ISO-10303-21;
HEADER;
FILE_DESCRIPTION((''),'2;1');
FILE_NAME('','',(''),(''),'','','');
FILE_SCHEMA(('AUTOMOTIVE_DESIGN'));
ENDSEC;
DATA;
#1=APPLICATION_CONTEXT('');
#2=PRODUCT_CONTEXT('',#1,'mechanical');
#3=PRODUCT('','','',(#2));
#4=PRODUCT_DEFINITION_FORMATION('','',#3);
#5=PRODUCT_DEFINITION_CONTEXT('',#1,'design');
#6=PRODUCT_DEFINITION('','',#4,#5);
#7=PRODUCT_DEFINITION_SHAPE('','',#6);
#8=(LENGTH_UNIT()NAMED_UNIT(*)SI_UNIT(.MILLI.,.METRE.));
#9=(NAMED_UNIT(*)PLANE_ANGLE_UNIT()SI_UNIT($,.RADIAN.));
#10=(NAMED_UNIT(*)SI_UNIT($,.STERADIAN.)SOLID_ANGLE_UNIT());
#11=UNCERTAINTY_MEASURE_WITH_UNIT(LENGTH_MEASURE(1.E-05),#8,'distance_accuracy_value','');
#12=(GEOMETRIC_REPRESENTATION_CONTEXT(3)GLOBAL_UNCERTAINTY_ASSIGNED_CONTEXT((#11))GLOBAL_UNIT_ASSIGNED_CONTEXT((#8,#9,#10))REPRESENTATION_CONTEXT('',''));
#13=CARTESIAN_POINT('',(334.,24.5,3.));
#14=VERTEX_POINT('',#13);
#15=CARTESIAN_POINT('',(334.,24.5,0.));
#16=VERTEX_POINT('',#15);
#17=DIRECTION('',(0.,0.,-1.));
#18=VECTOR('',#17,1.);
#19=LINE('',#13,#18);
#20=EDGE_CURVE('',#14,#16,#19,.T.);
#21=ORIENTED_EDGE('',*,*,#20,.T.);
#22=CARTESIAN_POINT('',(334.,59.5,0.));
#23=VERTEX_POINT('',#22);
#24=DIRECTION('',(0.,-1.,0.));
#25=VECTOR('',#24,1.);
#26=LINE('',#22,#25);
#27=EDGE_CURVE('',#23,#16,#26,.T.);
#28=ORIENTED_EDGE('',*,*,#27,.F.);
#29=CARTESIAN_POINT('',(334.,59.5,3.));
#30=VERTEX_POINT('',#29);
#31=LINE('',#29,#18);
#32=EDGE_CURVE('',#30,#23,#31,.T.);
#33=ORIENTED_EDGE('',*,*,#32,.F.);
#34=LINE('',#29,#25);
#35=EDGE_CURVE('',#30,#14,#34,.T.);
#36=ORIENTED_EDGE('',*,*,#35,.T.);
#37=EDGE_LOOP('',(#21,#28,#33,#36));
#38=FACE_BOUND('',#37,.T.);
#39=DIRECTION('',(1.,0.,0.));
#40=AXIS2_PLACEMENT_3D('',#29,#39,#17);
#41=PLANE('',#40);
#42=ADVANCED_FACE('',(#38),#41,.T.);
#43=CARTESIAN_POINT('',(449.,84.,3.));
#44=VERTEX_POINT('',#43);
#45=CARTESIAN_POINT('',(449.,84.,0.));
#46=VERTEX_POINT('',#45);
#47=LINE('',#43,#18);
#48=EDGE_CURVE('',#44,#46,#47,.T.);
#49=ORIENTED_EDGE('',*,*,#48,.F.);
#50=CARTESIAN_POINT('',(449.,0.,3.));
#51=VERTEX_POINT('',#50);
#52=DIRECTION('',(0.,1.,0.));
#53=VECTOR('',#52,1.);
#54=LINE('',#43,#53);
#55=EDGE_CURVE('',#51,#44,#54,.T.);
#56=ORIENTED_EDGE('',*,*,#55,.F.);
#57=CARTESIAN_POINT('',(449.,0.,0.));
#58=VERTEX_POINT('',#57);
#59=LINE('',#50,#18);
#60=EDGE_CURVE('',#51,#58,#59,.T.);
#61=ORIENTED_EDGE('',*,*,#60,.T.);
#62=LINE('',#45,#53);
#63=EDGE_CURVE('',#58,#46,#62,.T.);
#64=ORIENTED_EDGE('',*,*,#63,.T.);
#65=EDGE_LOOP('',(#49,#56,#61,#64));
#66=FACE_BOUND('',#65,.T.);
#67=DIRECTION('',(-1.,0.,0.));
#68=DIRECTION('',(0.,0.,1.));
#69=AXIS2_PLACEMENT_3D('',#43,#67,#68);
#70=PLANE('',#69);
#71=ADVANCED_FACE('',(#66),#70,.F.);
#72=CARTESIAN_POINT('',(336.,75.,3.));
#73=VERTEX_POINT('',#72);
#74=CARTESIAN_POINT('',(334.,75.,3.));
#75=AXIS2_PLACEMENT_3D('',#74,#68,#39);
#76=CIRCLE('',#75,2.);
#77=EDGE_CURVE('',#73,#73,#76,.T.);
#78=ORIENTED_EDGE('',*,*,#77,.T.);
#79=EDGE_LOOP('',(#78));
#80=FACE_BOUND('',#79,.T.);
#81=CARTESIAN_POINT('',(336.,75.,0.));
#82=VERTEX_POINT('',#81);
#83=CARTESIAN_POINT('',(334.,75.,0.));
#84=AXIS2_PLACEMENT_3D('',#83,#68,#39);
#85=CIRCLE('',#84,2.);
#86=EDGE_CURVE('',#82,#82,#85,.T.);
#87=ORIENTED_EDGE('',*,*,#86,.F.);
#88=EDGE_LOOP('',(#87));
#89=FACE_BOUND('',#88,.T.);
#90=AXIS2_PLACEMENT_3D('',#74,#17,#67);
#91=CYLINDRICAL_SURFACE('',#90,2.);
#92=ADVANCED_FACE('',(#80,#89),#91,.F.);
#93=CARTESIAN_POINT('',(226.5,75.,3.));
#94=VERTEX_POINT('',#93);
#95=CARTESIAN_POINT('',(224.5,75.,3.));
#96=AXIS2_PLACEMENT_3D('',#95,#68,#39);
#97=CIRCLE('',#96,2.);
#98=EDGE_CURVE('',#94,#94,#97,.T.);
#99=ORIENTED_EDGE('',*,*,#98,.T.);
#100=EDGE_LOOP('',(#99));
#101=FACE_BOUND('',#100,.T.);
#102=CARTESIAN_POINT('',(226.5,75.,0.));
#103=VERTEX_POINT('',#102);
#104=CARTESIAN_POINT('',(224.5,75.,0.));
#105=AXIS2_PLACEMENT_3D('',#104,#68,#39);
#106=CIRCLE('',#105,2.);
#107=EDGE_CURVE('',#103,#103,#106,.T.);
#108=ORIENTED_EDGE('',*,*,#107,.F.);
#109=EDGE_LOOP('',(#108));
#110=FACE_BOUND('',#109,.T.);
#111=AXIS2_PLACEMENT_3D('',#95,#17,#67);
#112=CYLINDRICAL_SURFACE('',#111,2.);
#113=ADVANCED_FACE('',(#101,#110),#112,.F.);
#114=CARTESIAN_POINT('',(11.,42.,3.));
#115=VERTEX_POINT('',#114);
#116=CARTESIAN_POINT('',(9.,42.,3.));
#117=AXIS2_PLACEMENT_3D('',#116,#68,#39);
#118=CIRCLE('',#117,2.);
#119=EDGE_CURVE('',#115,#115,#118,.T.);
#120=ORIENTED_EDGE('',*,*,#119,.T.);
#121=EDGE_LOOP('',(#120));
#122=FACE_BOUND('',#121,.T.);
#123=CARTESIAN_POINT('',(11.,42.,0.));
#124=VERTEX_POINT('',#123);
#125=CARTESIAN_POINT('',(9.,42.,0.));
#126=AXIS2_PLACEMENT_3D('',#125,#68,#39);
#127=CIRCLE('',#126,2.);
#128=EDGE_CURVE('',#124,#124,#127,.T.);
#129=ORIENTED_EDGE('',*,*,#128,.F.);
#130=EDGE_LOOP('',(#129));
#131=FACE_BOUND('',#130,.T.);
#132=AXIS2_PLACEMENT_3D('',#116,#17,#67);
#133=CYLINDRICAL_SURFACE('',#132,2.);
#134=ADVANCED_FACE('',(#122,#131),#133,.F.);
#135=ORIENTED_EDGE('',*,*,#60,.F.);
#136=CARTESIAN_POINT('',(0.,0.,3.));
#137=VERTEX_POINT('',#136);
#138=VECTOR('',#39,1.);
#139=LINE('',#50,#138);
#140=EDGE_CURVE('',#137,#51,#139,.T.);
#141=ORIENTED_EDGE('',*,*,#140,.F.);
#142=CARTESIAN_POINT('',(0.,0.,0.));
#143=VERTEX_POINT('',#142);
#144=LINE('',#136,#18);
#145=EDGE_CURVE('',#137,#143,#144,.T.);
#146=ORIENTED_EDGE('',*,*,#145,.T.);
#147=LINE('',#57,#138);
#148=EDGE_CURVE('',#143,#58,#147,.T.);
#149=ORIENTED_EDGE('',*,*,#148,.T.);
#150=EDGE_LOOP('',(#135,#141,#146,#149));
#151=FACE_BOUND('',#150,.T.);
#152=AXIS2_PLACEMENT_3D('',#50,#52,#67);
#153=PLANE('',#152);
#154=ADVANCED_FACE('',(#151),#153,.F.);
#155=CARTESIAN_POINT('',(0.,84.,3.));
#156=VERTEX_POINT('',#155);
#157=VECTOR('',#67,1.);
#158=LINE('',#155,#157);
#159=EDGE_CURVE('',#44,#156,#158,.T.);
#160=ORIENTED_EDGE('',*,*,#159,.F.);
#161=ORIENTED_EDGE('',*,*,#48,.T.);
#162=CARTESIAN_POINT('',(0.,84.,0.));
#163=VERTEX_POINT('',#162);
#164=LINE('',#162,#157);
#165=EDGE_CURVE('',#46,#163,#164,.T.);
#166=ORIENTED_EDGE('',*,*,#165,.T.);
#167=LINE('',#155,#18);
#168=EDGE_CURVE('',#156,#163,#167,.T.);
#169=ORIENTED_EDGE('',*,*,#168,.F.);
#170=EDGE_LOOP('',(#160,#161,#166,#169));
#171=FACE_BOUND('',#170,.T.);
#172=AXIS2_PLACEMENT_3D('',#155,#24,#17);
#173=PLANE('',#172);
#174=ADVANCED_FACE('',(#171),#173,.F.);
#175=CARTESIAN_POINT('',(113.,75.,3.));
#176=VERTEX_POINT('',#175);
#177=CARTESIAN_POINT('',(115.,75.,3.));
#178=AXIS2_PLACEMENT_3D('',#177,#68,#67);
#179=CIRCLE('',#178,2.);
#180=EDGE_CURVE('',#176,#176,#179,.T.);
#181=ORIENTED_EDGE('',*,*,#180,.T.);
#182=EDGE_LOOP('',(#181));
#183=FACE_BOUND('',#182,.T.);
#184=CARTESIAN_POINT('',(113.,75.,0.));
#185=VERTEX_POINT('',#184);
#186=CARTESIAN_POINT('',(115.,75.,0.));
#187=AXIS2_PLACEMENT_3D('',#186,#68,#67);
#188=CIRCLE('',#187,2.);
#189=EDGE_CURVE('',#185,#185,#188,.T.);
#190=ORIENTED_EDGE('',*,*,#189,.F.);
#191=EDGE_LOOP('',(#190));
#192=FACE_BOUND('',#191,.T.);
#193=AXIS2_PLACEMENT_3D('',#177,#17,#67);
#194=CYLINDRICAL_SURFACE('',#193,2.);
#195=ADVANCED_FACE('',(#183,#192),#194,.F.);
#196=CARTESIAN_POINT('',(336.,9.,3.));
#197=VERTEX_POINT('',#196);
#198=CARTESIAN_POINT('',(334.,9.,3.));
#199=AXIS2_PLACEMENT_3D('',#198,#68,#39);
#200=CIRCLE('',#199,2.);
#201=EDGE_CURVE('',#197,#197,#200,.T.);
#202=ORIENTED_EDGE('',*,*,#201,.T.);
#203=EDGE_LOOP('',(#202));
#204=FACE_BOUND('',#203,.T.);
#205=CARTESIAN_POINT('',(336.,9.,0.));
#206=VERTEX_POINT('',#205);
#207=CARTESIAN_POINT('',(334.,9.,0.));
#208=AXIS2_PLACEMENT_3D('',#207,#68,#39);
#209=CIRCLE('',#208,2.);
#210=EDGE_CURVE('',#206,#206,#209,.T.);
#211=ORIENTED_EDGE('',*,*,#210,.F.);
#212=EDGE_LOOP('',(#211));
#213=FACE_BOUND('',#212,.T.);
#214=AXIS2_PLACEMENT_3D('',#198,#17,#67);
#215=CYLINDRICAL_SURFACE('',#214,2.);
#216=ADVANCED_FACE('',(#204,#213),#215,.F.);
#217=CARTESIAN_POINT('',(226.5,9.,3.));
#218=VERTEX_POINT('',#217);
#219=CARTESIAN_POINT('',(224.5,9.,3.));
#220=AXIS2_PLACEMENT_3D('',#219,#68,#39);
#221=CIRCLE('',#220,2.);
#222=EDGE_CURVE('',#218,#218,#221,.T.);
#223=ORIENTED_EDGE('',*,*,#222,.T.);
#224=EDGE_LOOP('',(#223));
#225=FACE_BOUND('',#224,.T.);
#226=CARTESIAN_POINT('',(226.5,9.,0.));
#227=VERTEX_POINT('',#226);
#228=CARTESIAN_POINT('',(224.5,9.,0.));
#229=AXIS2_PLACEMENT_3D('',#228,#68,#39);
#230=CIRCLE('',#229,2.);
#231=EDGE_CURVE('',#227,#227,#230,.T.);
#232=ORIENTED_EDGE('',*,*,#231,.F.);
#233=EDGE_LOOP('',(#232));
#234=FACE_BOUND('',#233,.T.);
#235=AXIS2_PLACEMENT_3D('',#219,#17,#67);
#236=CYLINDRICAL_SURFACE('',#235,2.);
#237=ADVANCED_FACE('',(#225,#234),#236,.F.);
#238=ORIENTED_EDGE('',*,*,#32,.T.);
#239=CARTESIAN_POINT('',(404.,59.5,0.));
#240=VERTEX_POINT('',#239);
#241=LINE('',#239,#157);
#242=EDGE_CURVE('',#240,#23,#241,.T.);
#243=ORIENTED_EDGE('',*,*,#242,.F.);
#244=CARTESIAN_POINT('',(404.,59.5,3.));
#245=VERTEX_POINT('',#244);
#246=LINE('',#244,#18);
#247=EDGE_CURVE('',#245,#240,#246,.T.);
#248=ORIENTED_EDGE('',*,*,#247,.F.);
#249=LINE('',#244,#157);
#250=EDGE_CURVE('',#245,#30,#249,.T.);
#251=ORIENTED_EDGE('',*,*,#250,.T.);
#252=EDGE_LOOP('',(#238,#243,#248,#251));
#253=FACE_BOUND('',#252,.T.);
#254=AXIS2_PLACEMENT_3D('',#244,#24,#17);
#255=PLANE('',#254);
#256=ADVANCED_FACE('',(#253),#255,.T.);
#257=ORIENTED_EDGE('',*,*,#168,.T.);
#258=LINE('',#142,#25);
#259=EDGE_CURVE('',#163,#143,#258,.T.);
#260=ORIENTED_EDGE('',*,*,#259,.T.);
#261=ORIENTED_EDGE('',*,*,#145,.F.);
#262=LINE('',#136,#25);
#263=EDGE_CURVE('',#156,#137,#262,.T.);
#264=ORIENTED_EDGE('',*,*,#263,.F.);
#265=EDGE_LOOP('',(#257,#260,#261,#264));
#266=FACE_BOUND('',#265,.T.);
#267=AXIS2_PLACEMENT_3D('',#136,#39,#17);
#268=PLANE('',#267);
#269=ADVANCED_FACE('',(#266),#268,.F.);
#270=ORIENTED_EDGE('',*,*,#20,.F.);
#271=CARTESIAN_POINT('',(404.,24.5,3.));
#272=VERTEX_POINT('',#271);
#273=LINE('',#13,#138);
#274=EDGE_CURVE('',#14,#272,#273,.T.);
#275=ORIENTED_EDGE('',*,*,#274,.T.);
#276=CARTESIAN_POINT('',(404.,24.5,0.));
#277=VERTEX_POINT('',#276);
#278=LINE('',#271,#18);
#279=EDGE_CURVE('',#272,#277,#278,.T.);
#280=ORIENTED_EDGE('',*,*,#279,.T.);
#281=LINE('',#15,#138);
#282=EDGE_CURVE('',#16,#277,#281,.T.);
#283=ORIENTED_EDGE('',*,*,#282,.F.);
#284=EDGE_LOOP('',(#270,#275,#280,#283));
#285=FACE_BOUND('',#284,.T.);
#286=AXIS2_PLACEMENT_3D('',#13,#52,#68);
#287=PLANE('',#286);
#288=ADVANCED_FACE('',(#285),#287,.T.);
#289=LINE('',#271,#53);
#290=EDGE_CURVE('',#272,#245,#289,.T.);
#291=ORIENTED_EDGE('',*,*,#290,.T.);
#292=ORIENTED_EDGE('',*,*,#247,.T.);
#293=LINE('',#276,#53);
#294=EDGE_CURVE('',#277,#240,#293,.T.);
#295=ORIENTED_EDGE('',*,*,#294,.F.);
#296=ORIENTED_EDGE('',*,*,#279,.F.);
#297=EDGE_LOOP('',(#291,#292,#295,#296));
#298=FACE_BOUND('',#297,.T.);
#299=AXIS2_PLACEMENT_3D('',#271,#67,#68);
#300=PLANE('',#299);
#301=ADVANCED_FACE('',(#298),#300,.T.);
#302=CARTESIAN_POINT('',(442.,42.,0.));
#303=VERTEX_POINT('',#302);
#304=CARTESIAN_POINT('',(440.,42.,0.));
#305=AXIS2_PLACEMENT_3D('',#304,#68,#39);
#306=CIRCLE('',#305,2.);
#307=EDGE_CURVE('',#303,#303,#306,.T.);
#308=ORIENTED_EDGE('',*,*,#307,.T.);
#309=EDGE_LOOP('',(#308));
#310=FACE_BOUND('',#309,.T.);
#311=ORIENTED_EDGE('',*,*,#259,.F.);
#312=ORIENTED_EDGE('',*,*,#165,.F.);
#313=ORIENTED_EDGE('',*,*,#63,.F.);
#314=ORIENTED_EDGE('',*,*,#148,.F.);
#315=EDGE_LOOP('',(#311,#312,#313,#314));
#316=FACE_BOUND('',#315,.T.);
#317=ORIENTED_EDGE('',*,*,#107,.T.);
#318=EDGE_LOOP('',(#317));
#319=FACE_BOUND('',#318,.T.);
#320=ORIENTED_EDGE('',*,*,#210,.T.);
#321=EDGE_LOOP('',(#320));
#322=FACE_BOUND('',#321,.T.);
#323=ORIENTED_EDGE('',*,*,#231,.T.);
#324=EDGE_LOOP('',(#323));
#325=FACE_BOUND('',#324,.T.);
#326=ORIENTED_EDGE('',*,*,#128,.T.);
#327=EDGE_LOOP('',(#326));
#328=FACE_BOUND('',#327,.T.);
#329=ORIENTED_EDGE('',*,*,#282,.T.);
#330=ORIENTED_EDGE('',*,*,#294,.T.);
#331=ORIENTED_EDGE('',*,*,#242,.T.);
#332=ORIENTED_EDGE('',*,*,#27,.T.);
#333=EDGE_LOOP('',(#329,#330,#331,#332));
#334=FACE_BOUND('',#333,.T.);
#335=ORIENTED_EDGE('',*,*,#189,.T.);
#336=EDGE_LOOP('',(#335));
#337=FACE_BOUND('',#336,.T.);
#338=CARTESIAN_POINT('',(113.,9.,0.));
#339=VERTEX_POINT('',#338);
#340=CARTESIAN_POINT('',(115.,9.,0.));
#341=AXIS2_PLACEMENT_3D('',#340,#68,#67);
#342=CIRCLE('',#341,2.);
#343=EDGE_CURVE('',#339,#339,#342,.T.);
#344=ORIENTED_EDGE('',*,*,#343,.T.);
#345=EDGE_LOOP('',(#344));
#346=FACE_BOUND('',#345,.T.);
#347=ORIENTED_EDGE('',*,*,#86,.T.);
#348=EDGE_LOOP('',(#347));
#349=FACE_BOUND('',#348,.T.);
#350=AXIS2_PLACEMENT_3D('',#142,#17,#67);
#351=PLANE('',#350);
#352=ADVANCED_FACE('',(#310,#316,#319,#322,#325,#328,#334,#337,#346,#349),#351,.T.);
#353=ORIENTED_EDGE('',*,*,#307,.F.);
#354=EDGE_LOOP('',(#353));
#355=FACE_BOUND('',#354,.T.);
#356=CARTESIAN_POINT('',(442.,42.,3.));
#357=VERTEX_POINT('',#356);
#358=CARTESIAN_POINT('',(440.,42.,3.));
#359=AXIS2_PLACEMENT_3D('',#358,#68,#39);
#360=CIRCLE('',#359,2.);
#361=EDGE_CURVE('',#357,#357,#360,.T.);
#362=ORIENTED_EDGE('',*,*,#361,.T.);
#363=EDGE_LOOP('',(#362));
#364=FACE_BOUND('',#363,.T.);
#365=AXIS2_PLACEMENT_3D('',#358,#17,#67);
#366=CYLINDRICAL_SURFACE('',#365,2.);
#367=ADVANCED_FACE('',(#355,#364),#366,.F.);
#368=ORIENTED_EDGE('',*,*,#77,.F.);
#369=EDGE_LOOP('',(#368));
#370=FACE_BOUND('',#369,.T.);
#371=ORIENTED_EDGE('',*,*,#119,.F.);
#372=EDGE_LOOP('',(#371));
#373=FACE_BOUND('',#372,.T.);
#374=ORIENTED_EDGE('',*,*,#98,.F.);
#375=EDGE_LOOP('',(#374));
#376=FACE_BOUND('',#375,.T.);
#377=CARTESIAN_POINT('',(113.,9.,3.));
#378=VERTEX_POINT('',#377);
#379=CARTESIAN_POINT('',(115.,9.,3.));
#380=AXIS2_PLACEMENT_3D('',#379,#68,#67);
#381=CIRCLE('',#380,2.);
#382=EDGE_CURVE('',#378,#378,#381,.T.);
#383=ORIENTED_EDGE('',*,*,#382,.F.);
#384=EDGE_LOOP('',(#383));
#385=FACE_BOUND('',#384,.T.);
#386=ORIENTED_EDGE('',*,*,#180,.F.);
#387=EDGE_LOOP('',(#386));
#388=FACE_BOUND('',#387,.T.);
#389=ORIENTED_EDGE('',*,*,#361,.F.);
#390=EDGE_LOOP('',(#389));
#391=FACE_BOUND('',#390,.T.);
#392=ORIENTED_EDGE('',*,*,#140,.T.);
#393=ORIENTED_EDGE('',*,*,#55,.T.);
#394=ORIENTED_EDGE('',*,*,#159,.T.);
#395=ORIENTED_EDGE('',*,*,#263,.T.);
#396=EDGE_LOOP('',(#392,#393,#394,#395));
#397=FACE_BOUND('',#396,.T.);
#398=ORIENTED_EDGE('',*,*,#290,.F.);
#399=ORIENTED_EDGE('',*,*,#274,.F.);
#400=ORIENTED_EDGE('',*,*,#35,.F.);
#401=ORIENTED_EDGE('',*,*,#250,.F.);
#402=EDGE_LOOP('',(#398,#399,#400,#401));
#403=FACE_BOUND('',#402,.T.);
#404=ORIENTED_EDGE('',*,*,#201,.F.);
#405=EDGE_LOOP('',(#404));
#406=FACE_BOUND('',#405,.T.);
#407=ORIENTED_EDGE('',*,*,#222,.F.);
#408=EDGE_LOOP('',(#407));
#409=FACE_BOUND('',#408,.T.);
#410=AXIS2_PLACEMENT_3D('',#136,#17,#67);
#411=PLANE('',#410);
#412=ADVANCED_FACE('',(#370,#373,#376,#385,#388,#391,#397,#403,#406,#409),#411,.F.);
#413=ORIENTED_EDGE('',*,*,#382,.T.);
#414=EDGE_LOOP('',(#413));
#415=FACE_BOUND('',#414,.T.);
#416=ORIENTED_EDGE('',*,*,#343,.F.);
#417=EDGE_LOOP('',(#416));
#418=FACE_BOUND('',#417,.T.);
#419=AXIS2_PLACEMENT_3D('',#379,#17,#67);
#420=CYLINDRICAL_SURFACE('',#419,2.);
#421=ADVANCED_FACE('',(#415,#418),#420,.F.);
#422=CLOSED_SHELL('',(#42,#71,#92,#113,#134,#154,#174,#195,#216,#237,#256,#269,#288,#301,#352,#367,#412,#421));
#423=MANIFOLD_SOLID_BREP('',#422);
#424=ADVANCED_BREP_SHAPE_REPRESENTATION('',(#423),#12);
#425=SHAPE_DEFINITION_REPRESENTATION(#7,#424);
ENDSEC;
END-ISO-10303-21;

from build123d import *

# Parameters (mm, degrees)
SKETCH_F_W                   = 449
SKETCH_F_H                   = 84
SKETCH_F_R                   = 2
SKETCH_F_W_2                 = 70
SKETCH_F_H_2                 = 35
ESTRUSIONE_ESTRUSIONE1_DEPTH = 3


with BuildPart() as part:
    # Sketch f → Estrusione-Estrusione1 (new body)
    with BuildSketch(Plane.XY):
        with Locations((224.5, 42)):
            Rectangle(SKETCH_F_W, SKETCH_F_H)
        with Locations((9, 42)):
            Circle(SKETCH_F_R, mode=Mode.SUBTRACT)
        with Locations((224.5, 75)):
            Circle(SKETCH_F_R, mode=Mode.SUBTRACT)
        with Locations((224.5, 9)):
            Circle(SKETCH_F_R, mode=Mode.SUBTRACT)
        with Locations((440, 42)):
            Circle(SKETCH_F_R, mode=Mode.SUBTRACT)
        with Locations((334, 75)):
            Circle(SKETCH_F_R, mode=Mode.SUBTRACT)
        with Locations((334, 9)):
            Circle(SKETCH_F_R, mode=Mode.SUBTRACT)
        with Locations(Location((115, 9, 0), (0, 0, 180))):
            Circle(SKETCH_F_R, mode=Mode.SUBTRACT)
        with Locations(Location((115, 75, 0), (0, 0, 180))):
            Circle(SKETCH_F_R, mode=Mode.SUBTRACT)
        with Locations((369, 42)):
            Rectangle(SKETCH_F_W_2, SKETCH_F_H_2, mode=Mode.SUBTRACT)
    extrude(amount=ESTRUSIONE_ESTRUSIONE1_DEPTH)


solid = part.part
